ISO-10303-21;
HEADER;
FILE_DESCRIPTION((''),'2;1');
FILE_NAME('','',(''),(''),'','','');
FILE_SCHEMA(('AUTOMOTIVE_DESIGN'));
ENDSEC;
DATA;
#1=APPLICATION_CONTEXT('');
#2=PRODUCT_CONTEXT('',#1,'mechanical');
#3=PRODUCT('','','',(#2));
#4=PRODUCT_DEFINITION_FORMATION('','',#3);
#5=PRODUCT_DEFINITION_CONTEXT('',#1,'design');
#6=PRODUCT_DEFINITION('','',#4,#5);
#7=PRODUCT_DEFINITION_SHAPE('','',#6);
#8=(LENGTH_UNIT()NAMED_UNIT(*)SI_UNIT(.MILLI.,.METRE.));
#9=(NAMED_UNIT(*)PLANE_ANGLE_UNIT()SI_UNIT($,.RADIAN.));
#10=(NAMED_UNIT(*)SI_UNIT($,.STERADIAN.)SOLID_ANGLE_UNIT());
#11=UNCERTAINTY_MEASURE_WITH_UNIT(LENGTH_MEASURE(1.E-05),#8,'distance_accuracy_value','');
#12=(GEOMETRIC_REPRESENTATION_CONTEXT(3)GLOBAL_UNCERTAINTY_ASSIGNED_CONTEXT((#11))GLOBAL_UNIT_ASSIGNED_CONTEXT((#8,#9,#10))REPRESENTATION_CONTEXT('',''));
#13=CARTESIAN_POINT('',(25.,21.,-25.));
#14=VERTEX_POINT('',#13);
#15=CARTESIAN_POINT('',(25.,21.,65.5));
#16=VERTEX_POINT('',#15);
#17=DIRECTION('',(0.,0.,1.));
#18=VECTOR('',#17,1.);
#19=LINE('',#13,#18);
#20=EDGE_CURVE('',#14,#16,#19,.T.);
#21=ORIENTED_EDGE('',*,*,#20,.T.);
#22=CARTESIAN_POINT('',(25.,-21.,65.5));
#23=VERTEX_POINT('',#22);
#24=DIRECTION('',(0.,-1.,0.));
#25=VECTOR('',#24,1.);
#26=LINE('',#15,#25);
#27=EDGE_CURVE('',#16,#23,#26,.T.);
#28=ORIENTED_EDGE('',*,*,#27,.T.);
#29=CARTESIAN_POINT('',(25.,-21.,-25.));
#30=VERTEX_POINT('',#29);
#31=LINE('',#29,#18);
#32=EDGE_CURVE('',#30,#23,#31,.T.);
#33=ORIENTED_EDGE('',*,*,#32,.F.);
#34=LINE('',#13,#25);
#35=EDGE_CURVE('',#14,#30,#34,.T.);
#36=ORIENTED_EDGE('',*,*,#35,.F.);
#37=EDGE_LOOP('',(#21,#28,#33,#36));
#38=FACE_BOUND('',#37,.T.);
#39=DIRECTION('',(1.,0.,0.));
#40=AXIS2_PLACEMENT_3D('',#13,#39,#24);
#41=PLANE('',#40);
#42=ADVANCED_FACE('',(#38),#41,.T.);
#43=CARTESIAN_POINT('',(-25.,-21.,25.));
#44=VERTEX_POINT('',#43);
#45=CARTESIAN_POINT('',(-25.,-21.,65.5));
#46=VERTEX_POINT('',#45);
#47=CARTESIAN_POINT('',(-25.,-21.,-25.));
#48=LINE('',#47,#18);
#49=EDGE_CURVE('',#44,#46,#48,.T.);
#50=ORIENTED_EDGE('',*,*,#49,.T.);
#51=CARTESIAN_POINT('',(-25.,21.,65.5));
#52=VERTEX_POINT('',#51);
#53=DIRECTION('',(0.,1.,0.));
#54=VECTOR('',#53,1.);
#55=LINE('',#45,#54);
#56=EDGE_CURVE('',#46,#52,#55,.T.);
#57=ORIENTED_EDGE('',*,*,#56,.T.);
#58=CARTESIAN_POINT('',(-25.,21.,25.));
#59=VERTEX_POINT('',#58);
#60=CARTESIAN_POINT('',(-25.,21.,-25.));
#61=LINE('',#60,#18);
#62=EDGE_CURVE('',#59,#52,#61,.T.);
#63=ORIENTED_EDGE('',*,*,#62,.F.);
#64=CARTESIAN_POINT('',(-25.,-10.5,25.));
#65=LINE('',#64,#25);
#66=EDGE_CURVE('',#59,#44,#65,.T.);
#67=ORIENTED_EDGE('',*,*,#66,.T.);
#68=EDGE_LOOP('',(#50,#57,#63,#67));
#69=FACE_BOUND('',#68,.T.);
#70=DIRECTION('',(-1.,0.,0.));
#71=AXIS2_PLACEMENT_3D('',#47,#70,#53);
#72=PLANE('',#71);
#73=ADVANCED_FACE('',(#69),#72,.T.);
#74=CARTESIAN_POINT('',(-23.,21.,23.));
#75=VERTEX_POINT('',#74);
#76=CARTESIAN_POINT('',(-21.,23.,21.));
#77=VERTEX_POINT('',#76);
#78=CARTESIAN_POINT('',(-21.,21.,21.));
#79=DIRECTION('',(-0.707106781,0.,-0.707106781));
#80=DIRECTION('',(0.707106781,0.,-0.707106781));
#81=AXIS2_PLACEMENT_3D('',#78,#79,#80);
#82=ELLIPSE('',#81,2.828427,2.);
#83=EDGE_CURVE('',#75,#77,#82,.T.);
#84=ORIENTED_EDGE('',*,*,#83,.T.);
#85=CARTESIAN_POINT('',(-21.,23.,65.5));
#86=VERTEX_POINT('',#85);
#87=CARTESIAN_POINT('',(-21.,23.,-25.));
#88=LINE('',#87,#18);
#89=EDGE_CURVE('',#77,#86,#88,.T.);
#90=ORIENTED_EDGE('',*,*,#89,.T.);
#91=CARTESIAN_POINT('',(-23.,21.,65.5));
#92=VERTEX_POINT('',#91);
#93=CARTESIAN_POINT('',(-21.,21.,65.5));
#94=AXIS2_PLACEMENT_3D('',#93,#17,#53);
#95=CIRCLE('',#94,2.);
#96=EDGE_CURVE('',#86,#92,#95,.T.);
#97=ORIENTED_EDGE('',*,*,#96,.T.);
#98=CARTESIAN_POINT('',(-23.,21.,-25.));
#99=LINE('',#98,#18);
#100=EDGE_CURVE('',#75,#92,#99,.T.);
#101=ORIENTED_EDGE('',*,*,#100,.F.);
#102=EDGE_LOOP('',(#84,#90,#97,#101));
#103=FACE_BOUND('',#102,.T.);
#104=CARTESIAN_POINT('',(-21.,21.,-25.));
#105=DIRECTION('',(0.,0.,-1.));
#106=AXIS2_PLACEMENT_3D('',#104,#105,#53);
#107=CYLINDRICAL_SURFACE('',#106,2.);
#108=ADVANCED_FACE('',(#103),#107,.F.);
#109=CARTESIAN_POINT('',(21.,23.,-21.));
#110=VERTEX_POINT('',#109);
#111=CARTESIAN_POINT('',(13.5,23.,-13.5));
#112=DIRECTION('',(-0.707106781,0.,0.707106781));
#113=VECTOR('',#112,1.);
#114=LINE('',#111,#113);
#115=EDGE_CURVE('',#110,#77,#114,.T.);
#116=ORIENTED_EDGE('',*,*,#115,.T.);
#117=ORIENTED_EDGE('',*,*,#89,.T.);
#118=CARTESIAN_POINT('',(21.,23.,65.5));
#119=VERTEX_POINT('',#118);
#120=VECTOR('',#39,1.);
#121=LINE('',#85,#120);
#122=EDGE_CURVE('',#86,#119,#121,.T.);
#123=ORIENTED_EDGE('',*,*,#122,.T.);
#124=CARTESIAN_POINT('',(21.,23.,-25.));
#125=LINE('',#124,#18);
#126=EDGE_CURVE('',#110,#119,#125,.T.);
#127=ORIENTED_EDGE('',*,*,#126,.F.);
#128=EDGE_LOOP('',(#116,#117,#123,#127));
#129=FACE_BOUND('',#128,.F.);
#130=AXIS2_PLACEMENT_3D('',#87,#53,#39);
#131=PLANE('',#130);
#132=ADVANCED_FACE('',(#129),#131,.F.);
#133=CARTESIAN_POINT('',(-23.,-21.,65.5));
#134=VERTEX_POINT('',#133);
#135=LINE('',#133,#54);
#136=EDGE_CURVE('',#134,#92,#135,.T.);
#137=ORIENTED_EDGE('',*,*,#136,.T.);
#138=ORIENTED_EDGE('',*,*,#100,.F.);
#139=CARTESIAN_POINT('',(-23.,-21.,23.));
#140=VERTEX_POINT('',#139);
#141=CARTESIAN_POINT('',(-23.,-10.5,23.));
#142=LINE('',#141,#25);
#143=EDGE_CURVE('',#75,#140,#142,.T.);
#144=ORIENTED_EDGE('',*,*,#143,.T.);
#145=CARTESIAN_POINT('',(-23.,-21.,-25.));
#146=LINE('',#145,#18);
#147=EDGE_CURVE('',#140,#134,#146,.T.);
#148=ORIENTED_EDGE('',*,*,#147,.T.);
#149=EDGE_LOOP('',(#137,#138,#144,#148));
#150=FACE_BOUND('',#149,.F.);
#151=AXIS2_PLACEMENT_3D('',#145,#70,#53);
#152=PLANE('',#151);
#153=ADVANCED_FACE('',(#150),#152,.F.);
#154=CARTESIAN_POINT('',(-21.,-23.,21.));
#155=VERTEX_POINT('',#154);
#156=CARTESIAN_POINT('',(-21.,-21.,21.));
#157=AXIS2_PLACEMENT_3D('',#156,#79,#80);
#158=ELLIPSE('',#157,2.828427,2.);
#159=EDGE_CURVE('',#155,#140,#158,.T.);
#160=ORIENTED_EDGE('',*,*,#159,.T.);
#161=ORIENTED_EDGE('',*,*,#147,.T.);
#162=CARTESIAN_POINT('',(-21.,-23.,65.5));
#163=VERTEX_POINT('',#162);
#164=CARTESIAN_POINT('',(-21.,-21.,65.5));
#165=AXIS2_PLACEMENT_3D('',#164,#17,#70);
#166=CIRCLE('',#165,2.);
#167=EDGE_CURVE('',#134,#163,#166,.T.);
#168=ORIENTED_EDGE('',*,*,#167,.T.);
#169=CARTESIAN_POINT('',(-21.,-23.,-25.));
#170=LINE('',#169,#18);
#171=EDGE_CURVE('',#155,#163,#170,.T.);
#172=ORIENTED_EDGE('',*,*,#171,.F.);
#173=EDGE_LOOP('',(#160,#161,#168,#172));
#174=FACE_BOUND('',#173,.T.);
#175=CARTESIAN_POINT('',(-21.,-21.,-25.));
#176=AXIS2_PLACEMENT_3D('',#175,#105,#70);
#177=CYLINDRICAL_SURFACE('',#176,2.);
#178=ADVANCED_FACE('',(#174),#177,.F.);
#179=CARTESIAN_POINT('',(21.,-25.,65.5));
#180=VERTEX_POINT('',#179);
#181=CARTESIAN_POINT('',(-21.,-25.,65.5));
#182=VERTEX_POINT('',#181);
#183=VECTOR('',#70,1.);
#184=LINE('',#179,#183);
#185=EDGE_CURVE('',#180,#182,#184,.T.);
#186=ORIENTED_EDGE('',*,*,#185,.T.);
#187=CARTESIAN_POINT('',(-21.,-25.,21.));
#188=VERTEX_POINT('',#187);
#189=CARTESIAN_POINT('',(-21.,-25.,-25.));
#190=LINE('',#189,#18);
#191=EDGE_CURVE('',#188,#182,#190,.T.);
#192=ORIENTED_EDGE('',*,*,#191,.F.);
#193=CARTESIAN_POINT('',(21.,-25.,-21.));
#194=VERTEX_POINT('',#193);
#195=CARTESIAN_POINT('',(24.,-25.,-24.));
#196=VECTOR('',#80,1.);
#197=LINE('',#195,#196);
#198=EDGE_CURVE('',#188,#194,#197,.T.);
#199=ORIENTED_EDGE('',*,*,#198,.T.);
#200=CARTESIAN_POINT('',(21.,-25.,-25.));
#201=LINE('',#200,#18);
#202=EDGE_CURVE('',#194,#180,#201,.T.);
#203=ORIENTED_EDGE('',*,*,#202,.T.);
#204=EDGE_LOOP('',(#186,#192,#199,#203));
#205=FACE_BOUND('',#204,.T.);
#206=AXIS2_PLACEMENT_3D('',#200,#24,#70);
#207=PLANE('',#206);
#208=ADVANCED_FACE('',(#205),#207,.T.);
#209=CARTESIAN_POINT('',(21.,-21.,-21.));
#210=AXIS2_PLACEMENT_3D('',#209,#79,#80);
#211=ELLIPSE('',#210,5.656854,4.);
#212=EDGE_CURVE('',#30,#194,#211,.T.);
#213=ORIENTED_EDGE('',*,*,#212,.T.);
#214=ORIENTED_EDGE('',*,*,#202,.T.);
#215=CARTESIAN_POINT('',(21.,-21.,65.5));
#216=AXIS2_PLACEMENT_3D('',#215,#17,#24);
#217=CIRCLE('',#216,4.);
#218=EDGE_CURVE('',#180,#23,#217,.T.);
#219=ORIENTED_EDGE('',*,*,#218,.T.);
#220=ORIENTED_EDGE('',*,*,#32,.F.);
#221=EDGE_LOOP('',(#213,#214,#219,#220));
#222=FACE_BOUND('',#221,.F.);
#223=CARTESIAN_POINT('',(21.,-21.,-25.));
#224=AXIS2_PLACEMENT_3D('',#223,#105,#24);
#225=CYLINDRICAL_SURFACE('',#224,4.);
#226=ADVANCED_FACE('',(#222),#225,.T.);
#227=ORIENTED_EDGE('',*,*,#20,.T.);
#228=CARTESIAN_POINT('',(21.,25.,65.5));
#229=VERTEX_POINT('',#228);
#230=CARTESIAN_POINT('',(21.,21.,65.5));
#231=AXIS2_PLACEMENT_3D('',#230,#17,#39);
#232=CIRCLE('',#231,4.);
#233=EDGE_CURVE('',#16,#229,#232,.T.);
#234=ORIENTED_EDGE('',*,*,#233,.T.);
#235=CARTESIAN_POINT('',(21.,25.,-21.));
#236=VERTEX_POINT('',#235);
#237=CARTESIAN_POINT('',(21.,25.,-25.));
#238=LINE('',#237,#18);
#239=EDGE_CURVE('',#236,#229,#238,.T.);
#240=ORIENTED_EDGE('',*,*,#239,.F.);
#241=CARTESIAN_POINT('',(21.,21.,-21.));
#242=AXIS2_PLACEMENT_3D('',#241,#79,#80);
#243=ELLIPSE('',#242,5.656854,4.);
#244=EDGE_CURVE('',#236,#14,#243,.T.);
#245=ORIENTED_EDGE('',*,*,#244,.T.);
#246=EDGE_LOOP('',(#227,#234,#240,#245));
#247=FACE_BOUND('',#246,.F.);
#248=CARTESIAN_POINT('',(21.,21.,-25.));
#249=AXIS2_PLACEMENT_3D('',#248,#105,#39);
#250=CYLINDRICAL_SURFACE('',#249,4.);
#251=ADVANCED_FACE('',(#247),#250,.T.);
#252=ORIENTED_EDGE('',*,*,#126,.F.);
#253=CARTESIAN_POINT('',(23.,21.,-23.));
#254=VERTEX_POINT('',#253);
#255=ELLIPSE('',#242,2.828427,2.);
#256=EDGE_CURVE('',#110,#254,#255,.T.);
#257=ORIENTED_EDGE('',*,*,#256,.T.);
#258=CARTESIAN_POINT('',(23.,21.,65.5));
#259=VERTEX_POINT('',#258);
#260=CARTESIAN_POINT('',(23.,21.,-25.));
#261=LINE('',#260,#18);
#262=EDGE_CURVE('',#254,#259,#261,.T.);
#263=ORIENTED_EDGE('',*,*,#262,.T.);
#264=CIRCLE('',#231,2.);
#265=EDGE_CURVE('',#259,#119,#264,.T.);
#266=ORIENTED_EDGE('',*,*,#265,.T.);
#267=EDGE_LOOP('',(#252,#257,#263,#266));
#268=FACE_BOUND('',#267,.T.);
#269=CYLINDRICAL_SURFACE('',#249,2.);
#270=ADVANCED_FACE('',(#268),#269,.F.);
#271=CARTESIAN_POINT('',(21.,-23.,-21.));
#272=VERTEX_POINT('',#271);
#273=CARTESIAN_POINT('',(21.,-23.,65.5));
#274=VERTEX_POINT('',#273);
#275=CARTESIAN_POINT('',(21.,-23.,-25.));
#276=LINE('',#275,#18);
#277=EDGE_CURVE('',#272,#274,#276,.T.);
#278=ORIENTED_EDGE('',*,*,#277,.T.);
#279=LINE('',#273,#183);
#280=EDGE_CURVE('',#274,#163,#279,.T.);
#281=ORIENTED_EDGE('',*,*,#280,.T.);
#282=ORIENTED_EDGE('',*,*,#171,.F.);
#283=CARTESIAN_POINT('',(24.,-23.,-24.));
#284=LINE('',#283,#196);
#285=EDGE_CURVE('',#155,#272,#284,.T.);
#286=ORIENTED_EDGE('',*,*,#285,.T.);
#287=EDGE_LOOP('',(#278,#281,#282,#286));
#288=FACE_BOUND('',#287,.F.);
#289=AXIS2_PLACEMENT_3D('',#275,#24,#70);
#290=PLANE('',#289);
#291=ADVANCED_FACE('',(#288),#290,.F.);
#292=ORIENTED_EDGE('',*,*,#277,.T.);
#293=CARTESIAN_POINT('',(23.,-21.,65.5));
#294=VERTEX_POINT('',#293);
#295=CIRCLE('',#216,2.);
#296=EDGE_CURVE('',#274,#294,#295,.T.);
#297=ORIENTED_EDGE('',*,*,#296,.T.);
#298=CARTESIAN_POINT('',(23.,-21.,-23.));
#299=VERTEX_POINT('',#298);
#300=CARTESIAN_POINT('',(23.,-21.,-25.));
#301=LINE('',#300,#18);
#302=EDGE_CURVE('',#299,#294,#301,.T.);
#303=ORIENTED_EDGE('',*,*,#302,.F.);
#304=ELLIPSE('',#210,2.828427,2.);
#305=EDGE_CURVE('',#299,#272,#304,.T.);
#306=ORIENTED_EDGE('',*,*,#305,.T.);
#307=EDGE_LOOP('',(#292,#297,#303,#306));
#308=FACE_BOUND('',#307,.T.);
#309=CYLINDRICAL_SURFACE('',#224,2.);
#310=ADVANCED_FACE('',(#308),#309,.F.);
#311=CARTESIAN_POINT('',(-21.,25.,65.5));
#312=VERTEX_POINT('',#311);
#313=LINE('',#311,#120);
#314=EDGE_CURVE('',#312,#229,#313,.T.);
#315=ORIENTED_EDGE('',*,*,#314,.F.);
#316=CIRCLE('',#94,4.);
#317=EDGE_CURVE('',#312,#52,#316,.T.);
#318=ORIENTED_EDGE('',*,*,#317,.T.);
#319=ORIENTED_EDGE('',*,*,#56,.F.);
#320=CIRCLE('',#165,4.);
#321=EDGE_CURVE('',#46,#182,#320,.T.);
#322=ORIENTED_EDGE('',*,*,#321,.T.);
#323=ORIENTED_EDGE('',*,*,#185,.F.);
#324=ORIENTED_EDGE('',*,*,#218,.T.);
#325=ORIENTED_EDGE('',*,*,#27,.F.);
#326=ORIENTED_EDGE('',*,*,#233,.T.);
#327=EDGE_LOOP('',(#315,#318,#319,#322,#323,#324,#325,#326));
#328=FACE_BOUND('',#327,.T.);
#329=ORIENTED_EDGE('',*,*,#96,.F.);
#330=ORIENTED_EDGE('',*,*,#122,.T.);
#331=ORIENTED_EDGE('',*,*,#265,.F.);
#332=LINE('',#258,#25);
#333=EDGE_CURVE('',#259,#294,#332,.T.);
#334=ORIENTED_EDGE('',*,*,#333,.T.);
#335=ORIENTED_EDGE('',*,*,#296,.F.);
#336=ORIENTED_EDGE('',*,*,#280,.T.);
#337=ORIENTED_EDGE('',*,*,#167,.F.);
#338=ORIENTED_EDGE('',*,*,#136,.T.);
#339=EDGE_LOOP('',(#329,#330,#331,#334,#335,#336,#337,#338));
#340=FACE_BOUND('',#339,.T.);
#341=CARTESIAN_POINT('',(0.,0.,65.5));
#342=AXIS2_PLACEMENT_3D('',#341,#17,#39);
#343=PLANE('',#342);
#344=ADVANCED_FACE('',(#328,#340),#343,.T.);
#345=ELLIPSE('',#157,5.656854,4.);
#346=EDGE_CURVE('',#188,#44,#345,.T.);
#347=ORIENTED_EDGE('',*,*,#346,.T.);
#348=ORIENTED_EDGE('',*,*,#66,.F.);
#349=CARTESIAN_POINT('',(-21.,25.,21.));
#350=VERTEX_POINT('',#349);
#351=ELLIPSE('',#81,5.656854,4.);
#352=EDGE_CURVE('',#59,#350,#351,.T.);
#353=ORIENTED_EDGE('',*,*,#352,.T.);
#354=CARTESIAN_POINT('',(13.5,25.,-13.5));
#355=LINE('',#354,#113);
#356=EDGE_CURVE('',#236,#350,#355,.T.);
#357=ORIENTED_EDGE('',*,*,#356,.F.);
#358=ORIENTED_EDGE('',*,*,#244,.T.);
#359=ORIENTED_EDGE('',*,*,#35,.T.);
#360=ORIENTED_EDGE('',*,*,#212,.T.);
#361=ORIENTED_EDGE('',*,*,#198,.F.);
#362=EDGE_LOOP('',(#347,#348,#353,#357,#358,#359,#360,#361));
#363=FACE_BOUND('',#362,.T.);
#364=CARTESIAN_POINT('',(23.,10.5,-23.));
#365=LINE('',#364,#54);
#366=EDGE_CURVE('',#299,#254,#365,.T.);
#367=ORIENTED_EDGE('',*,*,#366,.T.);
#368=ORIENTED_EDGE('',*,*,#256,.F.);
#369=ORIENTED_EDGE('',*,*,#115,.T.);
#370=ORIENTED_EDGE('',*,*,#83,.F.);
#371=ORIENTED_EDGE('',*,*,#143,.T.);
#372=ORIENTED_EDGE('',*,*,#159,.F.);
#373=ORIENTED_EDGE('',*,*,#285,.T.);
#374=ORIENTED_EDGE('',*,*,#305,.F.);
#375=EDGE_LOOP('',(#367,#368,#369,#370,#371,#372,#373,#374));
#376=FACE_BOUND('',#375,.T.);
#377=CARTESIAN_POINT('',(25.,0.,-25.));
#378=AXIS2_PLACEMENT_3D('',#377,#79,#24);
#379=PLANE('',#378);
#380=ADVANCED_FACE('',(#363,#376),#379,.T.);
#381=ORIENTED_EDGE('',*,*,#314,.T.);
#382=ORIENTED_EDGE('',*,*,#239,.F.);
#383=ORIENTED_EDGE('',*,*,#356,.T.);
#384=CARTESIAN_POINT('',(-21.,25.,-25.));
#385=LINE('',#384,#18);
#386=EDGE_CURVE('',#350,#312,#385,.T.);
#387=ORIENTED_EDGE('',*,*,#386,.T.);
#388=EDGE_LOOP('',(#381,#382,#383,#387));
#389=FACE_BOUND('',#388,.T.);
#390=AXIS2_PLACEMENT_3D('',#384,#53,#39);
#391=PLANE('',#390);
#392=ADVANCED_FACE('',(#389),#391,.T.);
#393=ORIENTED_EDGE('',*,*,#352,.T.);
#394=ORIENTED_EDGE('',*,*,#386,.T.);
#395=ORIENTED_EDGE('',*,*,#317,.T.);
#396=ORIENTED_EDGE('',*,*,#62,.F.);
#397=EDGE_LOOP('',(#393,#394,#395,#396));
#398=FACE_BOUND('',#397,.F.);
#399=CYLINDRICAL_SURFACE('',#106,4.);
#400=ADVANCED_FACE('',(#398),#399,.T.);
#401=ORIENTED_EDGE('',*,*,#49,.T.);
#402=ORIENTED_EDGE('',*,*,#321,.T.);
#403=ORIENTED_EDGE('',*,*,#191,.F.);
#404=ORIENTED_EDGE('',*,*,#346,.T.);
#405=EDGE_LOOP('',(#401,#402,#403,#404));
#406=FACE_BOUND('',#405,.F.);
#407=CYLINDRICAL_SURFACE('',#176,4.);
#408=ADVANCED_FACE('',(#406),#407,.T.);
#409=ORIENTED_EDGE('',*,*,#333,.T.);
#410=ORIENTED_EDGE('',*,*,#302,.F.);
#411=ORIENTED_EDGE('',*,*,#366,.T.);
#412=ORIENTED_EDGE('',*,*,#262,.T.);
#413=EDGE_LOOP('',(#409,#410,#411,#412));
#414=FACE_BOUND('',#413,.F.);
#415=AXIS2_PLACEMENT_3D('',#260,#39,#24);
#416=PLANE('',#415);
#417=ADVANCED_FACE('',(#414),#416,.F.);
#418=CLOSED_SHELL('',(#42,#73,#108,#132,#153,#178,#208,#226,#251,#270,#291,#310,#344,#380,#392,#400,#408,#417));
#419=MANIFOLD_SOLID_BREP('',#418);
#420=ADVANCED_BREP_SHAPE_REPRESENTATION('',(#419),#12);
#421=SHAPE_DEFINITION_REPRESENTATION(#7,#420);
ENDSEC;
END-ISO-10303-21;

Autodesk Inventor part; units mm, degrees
ref_plane "Start Plane" through (0, 0, -25) normal (0, 0, 1) x (1, 0, 0)
ref_plane "End Plane" through (0, 0, 65.5) normal (0, 0, 1) x (1, 0, 0)
sketch "Sketch" plane through (0, 0, 0) normal (0, 0, 1) x (1, 0, 0)
  line L0 (-25, -21) -> (-25, 21)
  line L1 (-21, 25) -> (21, 25)
  line L2 (25, 21) -> (25, -21)
  line L3 (21, -25) -> (-21, -25)
  arc A0 (-25, -21) -> (-21, -25) centre (-21, -21) ccw
  arc A1 (25, 21) -> (21, 25) centre (21, 21) ccw
  arc A2 (-21, 25) -> (-25, 21) centre (-21, 21) ccw
  arc A3 (21, -25) -> (25, -21) centre (21, -21) ccw
  arc A4 (-21, 23) -> (-23, 21) centre (-21, 21) ccw
  line L4 (-21, 23) -> (21, 23)
  arc A5 (23, 21) -> (21, 23) centre (21, 21) ccw
  line L5 (23, 21) -> (23, -21)
  arc A6 (21, -23) -> (23, -21) centre (21, -21) ccw
  line L6 (21, -23) -> (-21, -23)
  arc A7 (-23, -21) -> (-21, -23) centre (-21, -21) ccw
  line L7 (-23, -21) -> (-23, 21)
  line L8 (0, 36.1598) -> (0, -36.1598) construction
  line L9 (-36.1598, 0) -> (36.1598, 0) construction
  dimension "d7" = 4
  dimension "d9" = 50
  dimension "d11" = 50
  dimension "d12" = 2
  dimension "d15" = 25
  dimension "d16" = 25
extrude "Body" add sketch "Sketch" along normal up to surface (90.5 mm away) from surface at -25
sketch "Sketch3" plane through (0, 0, 0) normal (0, 0, 1) x (1, 0, 0)
  line L0 (0, 0) -> (10, 0)
ref_plane "Work Plane3" through (0, 0, 0) normal (0, -1, 0) x (1, 0, 0)
sketch "Sketch4" plane through (0, 0, 0) normal (0, -1, 0) x (1, 0, 0)
  line L0 (-2, -25) -> (12, -25)
  line L1 (-2, 65.5) -> (12, 65.5)
  dimension "d18" = 90.5
ref_plane "Work Plane4" through (25, 0, -25) normal (-0.7071, 0, -0.7071) x (-0.7071, 0, 0.7071)
split "Split1" plane through (25, 0, -25) removes the side toward (-0.7071, 0, -0.7071)
ref_plane "Work Plane5" through (-21, -2029.75, 65.5) normal (0, 0, 1) x (1, 0, 0)
split "Split2" plane through (-21, -2029.75, 65.5) removes the side toward (0, 0, 1)
equation "\"d7\" = G_IR"
equation "\"d9\" = G_W"
equation "\"d11\" = G_H"
equation "\"d12\" = G_T"
equation "\"d15\" = 0.5 * d9"
equation "\"d16\" = 0.5 * d11"
equation "\"d3\" = G_L"
equation "\"G_W\" = 50"
equation "\"G_H\" = 50"
equation "\"G_T\" = 2"
equation "\"G_IR\" = 4"
equation "\"G_L\" = d18"
equation "\"G_OFFSET_START\" = 25"
equation "\"G_OFFSET_END\" = -25"
equation "\"d13\" = -G_OFFSET_START"
equation "\"d14\" = G_OFFSET_END + B_L"
equation "\"B_L\" = 90.5"
properties part number "ISO 10799-2 - 50x50x2 - 90.5" material "Steel, Galvanized"
